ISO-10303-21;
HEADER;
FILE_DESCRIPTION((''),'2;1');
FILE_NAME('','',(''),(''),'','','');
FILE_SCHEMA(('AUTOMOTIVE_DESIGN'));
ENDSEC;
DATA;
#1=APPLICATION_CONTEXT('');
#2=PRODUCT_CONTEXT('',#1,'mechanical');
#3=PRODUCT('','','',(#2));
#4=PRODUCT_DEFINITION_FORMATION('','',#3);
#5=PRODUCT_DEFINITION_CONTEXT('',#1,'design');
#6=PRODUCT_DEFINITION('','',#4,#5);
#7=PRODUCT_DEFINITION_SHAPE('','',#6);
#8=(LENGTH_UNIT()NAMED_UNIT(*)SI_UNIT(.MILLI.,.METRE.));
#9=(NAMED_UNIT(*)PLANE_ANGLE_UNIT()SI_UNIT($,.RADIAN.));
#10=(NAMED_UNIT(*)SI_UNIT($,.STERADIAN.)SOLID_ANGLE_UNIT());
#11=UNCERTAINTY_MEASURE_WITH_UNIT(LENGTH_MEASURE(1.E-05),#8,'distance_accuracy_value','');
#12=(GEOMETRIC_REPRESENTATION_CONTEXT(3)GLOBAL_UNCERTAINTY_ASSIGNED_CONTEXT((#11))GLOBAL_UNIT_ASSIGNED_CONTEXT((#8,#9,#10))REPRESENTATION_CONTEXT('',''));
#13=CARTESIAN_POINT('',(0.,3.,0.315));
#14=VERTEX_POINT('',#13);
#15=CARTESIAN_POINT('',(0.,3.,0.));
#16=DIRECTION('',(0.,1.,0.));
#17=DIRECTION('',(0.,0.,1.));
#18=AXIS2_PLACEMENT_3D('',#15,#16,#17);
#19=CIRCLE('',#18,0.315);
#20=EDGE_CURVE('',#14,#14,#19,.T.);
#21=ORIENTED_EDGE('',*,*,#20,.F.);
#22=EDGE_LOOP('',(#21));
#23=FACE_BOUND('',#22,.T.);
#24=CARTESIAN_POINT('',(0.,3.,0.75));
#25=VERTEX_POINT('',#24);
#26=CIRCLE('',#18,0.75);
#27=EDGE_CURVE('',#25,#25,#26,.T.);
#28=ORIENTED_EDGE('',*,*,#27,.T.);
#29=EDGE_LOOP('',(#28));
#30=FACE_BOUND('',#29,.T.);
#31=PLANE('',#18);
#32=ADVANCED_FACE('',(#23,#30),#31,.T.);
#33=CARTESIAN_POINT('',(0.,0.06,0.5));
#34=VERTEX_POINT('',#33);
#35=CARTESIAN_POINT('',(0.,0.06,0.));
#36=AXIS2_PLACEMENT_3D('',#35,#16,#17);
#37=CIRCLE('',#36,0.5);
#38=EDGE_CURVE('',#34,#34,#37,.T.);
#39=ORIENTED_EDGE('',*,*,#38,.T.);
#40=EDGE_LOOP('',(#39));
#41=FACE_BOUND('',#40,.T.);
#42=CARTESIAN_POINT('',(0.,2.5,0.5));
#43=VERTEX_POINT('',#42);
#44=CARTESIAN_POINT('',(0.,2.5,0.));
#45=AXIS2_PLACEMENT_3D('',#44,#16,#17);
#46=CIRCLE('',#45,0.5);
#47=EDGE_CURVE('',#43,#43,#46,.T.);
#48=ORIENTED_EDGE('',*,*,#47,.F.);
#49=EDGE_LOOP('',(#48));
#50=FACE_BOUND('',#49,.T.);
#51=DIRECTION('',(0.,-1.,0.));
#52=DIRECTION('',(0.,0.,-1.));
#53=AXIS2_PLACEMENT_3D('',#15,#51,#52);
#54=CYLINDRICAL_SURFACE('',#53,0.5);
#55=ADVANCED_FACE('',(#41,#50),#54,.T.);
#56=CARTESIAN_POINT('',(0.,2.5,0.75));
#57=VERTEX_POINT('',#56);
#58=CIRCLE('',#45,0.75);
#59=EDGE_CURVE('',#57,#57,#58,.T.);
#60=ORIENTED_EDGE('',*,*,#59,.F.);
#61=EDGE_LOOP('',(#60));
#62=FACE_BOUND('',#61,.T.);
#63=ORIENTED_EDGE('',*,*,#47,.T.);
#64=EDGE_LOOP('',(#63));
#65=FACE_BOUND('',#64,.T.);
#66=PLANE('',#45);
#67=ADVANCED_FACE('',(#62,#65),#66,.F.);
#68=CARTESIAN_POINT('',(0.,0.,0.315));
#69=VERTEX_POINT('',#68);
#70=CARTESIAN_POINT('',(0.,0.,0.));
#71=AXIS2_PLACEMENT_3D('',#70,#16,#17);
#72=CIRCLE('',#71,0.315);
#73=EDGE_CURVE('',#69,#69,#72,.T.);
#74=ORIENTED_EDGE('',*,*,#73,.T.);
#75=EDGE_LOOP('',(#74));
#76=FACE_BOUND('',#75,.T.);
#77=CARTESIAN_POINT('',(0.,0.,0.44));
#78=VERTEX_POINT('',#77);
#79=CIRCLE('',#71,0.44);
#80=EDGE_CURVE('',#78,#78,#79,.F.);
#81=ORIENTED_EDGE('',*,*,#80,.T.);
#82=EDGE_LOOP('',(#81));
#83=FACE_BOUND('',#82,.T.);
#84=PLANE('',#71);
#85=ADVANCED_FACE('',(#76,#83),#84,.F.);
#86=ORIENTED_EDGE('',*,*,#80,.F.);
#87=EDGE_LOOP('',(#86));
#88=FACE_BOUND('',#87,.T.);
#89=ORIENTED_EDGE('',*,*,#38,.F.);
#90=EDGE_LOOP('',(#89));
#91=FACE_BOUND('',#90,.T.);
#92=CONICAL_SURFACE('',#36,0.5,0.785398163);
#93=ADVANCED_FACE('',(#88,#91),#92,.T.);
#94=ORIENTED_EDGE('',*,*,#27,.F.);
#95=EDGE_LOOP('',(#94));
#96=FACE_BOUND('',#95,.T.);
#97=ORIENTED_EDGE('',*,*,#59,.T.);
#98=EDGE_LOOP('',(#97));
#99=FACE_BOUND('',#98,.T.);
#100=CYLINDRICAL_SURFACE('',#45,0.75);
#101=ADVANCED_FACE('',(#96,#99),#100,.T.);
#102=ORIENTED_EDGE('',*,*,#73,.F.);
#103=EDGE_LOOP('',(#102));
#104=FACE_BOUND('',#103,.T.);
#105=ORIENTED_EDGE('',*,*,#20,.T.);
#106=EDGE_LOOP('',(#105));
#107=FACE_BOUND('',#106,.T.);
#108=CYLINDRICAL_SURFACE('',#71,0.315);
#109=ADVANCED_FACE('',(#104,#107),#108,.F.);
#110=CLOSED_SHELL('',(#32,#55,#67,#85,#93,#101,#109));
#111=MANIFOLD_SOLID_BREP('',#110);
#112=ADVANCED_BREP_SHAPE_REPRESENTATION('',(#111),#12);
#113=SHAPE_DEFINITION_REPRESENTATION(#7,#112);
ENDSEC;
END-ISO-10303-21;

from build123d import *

# Parameters (mm, degrees)
SKETCH1_R           = 0.5
BOSS_EXTRUDE1_DEPTH = 3
SKETCH2_R           = 0.75
BOSS_EXTRUDE2_DEPTH = 0.5
CHAMFER1_SIZE       = 0.06
CUT_EXTRUDE1_START  = 3
SKETCH3_R           = 0.315
CUT_EXTRUDE1_DEPTH  = 4


with BuildPart() as part:
    # Sketch1 → Boss-Extrude1 (new body)
    with BuildSketch(Plane(origin=(0, 0, 0), x_dir=(1, 0, 0), z_dir=(0, 1, 0))):
        Circle(SKETCH1_R)
    extrude(amount=BOSS_EXTRUDE1_DEPTH)

    # Sketch2 → Boss-Extrude2 (add)
    with BuildSketch(Plane(origin=(0, 3, 0), x_dir=(1, 0, 0), z_dir=(0, 1, 0))):
        Circle(SKETCH2_R)
    extrude(amount=-BOSS_EXTRUDE2_DEPTH)

    # Chamfer1
    chamfer1_edges = [part.edges().sort_by_distance(p)[0] for p in [
        (-0.5, 0, 0),
    ]]
    chamfer(chamfer1_edges, length=CHAMFER1_SIZE)

    # Sketch3 → Cut-Extrude1 (cut, through all)
    with BuildSketch(Plane(origin=(0, 0, 0), x_dir=(1, 0, 0), z_dir=(0, 1, 0)).offset(CUT_EXTRUDE1_START)):
        Circle(SKETCH3_R)
    extrude(amount=-CUT_EXTRUDE1_DEPTH, mode=Mode.SUBTRACT)


solid = part.part
